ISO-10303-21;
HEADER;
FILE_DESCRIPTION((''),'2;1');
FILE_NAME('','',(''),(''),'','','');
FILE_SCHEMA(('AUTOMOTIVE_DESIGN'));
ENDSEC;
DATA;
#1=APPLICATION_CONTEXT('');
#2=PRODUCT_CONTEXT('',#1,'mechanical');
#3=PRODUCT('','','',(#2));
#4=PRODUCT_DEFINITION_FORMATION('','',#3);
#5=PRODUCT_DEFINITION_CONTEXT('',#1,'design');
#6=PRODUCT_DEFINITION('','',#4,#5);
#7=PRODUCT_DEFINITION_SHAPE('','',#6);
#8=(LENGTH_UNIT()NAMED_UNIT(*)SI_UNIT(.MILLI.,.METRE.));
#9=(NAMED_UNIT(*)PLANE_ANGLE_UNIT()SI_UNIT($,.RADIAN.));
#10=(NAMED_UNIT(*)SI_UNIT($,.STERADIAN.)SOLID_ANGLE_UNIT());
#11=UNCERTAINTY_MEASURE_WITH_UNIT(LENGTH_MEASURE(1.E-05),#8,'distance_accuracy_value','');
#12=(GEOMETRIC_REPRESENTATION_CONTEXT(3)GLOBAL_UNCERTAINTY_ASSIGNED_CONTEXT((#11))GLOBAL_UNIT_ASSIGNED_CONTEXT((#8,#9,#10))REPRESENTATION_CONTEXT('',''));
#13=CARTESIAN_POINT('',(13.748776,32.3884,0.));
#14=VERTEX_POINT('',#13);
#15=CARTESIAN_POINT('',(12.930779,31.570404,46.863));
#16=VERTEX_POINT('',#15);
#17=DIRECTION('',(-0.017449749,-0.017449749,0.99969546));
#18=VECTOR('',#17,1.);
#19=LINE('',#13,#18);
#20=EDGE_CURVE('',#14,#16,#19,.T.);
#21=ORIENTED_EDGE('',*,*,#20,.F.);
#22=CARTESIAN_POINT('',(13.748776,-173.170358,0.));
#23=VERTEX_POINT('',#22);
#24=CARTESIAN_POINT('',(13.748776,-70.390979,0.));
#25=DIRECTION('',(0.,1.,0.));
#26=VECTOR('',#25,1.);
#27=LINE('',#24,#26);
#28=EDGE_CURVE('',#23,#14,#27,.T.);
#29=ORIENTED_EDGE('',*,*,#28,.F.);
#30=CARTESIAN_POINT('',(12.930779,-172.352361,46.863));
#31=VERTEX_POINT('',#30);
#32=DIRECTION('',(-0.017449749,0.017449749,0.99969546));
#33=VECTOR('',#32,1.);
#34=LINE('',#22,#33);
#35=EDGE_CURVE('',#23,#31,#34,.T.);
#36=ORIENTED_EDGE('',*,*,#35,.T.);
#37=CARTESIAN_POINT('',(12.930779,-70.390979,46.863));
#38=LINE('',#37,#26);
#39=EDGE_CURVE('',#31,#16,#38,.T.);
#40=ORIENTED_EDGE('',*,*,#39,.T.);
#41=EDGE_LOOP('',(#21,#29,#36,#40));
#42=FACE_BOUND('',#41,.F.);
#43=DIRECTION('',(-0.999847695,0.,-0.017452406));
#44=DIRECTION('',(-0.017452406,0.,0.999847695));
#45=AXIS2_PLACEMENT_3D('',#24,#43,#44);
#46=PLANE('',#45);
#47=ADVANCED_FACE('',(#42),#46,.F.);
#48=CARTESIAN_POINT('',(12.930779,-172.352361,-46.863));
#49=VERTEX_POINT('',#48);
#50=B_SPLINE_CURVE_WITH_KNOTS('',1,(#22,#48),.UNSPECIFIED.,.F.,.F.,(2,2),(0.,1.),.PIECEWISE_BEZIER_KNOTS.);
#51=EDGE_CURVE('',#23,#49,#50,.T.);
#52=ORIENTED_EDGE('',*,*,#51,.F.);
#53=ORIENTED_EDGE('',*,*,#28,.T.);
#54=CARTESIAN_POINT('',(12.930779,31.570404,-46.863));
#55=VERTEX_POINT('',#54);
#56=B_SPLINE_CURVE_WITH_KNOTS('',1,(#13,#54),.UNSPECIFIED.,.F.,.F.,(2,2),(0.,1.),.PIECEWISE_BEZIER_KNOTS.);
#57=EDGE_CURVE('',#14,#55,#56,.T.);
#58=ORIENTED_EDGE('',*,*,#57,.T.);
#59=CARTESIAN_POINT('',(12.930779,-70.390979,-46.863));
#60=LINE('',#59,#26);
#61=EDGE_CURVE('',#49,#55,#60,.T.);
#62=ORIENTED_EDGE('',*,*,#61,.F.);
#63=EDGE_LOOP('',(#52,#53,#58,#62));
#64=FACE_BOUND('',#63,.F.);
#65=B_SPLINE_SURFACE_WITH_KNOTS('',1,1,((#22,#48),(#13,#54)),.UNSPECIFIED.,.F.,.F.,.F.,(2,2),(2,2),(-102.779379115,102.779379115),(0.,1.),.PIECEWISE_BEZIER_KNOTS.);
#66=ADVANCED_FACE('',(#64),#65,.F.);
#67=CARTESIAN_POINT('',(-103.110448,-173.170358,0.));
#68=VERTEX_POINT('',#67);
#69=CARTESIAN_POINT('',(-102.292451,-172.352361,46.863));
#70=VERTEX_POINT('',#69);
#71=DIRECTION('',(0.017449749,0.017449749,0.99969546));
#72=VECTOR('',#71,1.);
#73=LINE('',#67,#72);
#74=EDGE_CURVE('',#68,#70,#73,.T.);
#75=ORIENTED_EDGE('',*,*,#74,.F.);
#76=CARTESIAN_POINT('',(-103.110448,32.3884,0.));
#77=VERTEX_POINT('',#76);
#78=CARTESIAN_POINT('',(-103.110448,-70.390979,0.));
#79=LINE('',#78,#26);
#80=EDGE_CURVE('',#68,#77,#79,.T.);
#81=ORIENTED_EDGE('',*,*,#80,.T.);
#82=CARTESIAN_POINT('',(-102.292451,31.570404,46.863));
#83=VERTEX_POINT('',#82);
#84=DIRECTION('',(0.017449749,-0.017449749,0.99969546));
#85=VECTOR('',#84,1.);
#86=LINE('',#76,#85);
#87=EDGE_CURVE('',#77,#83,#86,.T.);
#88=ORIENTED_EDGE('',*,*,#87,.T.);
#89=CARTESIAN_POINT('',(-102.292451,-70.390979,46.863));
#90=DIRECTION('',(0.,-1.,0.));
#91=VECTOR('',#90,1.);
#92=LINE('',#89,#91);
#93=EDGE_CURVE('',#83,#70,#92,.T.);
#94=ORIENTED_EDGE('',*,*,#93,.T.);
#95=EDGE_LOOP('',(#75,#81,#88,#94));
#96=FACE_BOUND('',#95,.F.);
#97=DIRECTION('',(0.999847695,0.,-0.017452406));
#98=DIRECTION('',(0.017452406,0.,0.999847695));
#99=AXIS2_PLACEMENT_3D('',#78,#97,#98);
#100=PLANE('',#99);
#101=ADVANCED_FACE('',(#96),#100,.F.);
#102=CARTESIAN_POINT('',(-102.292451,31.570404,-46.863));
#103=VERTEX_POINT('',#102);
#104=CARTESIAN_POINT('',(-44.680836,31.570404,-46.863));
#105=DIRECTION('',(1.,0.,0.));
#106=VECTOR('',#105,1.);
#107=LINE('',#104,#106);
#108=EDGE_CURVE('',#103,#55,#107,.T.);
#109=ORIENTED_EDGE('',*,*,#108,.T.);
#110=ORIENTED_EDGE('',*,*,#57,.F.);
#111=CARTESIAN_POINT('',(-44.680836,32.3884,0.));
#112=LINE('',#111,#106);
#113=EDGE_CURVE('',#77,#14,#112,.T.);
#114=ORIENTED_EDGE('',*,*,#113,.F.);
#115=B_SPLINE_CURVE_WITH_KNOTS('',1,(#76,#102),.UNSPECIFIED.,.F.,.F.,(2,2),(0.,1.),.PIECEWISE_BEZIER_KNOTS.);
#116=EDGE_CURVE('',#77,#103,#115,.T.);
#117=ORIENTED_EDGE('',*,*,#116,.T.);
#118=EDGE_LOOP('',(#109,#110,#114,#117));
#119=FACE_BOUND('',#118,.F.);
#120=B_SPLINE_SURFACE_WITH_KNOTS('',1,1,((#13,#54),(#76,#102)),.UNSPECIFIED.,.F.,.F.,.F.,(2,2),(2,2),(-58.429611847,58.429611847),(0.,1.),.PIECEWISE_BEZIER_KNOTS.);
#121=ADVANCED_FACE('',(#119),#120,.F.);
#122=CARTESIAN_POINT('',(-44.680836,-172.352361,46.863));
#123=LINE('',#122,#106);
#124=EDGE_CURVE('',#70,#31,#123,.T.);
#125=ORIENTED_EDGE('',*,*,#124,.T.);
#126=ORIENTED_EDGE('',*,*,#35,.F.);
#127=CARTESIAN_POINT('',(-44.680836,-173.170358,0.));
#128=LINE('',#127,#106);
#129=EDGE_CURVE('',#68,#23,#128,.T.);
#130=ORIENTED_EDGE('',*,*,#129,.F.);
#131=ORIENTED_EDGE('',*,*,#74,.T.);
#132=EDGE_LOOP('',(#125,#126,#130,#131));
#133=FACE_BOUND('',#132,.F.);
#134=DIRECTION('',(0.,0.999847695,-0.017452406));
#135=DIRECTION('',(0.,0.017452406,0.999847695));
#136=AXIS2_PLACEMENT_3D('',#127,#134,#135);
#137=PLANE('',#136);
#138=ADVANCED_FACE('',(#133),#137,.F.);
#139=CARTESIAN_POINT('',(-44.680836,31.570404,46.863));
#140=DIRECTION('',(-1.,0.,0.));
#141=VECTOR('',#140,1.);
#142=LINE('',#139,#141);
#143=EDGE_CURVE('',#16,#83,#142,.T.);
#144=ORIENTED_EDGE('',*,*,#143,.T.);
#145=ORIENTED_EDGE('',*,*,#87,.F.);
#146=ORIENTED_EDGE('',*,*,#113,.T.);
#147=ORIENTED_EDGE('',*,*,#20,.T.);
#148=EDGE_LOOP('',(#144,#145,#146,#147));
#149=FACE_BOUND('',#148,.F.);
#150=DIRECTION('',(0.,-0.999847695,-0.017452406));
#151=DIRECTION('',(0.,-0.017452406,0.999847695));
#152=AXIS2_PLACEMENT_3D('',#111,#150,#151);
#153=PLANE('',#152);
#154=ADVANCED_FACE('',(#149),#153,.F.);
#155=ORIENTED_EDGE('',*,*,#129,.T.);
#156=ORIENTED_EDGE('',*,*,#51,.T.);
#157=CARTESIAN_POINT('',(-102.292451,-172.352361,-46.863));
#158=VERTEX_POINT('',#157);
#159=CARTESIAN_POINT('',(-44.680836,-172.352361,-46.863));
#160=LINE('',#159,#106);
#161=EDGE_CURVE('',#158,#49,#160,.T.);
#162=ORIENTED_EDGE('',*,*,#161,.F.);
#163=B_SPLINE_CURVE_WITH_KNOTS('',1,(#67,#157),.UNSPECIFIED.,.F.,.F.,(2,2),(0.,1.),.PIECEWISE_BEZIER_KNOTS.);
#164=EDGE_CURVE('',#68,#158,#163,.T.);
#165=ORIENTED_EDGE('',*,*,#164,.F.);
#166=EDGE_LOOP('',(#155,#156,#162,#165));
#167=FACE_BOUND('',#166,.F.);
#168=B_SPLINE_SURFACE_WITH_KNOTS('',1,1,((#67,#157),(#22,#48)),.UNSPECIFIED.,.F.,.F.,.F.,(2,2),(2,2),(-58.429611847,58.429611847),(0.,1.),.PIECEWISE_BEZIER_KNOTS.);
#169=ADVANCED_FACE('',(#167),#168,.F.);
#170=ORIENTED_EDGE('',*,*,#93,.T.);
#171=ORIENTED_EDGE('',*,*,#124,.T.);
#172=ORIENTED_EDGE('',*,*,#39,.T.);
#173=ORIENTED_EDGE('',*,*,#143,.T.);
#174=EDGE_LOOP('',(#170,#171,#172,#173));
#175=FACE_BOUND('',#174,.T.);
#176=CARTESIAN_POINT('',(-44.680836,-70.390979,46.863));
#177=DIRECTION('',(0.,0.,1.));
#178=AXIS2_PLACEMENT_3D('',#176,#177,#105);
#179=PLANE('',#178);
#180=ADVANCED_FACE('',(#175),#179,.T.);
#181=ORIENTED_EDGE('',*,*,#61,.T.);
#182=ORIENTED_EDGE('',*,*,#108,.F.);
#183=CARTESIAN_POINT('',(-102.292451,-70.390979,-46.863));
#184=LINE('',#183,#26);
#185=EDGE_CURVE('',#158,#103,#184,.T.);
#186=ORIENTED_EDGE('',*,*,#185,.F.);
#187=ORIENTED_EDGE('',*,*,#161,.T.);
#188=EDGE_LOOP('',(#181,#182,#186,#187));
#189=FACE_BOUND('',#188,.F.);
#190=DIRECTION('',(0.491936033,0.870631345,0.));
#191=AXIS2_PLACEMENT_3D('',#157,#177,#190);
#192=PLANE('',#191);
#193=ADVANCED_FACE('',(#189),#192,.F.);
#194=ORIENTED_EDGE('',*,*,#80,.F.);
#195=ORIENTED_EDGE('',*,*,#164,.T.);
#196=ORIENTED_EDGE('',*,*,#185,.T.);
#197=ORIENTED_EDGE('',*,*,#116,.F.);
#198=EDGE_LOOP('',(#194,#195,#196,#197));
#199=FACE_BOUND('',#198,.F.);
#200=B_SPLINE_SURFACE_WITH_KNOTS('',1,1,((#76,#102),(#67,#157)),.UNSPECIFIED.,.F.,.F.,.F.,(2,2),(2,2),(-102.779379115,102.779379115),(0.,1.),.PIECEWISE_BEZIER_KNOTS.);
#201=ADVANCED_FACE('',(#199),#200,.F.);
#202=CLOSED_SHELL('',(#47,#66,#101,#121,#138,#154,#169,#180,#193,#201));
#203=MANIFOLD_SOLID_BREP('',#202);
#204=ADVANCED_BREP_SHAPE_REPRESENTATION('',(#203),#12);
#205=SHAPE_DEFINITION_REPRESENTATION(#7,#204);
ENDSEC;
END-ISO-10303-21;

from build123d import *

# Parameters (mm, degrees)
F0_W     = 116.8592236936
F0_H     = 205.558758229
F1_DEPTH = 46.863
F1_TAPER = 1


with BuildPart() as f1:
    # F0 (on Top) → F1 (new body, symmetric)
    with BuildSketch(Plane.XY):
        with Locations((-44.6808356792, -70.3909788281)):
            Rectangle(F0_W, F0_H)
    extrude(amount=F1_DEPTH, both=True, taper=F1_TAPER)


solid = f1.part
